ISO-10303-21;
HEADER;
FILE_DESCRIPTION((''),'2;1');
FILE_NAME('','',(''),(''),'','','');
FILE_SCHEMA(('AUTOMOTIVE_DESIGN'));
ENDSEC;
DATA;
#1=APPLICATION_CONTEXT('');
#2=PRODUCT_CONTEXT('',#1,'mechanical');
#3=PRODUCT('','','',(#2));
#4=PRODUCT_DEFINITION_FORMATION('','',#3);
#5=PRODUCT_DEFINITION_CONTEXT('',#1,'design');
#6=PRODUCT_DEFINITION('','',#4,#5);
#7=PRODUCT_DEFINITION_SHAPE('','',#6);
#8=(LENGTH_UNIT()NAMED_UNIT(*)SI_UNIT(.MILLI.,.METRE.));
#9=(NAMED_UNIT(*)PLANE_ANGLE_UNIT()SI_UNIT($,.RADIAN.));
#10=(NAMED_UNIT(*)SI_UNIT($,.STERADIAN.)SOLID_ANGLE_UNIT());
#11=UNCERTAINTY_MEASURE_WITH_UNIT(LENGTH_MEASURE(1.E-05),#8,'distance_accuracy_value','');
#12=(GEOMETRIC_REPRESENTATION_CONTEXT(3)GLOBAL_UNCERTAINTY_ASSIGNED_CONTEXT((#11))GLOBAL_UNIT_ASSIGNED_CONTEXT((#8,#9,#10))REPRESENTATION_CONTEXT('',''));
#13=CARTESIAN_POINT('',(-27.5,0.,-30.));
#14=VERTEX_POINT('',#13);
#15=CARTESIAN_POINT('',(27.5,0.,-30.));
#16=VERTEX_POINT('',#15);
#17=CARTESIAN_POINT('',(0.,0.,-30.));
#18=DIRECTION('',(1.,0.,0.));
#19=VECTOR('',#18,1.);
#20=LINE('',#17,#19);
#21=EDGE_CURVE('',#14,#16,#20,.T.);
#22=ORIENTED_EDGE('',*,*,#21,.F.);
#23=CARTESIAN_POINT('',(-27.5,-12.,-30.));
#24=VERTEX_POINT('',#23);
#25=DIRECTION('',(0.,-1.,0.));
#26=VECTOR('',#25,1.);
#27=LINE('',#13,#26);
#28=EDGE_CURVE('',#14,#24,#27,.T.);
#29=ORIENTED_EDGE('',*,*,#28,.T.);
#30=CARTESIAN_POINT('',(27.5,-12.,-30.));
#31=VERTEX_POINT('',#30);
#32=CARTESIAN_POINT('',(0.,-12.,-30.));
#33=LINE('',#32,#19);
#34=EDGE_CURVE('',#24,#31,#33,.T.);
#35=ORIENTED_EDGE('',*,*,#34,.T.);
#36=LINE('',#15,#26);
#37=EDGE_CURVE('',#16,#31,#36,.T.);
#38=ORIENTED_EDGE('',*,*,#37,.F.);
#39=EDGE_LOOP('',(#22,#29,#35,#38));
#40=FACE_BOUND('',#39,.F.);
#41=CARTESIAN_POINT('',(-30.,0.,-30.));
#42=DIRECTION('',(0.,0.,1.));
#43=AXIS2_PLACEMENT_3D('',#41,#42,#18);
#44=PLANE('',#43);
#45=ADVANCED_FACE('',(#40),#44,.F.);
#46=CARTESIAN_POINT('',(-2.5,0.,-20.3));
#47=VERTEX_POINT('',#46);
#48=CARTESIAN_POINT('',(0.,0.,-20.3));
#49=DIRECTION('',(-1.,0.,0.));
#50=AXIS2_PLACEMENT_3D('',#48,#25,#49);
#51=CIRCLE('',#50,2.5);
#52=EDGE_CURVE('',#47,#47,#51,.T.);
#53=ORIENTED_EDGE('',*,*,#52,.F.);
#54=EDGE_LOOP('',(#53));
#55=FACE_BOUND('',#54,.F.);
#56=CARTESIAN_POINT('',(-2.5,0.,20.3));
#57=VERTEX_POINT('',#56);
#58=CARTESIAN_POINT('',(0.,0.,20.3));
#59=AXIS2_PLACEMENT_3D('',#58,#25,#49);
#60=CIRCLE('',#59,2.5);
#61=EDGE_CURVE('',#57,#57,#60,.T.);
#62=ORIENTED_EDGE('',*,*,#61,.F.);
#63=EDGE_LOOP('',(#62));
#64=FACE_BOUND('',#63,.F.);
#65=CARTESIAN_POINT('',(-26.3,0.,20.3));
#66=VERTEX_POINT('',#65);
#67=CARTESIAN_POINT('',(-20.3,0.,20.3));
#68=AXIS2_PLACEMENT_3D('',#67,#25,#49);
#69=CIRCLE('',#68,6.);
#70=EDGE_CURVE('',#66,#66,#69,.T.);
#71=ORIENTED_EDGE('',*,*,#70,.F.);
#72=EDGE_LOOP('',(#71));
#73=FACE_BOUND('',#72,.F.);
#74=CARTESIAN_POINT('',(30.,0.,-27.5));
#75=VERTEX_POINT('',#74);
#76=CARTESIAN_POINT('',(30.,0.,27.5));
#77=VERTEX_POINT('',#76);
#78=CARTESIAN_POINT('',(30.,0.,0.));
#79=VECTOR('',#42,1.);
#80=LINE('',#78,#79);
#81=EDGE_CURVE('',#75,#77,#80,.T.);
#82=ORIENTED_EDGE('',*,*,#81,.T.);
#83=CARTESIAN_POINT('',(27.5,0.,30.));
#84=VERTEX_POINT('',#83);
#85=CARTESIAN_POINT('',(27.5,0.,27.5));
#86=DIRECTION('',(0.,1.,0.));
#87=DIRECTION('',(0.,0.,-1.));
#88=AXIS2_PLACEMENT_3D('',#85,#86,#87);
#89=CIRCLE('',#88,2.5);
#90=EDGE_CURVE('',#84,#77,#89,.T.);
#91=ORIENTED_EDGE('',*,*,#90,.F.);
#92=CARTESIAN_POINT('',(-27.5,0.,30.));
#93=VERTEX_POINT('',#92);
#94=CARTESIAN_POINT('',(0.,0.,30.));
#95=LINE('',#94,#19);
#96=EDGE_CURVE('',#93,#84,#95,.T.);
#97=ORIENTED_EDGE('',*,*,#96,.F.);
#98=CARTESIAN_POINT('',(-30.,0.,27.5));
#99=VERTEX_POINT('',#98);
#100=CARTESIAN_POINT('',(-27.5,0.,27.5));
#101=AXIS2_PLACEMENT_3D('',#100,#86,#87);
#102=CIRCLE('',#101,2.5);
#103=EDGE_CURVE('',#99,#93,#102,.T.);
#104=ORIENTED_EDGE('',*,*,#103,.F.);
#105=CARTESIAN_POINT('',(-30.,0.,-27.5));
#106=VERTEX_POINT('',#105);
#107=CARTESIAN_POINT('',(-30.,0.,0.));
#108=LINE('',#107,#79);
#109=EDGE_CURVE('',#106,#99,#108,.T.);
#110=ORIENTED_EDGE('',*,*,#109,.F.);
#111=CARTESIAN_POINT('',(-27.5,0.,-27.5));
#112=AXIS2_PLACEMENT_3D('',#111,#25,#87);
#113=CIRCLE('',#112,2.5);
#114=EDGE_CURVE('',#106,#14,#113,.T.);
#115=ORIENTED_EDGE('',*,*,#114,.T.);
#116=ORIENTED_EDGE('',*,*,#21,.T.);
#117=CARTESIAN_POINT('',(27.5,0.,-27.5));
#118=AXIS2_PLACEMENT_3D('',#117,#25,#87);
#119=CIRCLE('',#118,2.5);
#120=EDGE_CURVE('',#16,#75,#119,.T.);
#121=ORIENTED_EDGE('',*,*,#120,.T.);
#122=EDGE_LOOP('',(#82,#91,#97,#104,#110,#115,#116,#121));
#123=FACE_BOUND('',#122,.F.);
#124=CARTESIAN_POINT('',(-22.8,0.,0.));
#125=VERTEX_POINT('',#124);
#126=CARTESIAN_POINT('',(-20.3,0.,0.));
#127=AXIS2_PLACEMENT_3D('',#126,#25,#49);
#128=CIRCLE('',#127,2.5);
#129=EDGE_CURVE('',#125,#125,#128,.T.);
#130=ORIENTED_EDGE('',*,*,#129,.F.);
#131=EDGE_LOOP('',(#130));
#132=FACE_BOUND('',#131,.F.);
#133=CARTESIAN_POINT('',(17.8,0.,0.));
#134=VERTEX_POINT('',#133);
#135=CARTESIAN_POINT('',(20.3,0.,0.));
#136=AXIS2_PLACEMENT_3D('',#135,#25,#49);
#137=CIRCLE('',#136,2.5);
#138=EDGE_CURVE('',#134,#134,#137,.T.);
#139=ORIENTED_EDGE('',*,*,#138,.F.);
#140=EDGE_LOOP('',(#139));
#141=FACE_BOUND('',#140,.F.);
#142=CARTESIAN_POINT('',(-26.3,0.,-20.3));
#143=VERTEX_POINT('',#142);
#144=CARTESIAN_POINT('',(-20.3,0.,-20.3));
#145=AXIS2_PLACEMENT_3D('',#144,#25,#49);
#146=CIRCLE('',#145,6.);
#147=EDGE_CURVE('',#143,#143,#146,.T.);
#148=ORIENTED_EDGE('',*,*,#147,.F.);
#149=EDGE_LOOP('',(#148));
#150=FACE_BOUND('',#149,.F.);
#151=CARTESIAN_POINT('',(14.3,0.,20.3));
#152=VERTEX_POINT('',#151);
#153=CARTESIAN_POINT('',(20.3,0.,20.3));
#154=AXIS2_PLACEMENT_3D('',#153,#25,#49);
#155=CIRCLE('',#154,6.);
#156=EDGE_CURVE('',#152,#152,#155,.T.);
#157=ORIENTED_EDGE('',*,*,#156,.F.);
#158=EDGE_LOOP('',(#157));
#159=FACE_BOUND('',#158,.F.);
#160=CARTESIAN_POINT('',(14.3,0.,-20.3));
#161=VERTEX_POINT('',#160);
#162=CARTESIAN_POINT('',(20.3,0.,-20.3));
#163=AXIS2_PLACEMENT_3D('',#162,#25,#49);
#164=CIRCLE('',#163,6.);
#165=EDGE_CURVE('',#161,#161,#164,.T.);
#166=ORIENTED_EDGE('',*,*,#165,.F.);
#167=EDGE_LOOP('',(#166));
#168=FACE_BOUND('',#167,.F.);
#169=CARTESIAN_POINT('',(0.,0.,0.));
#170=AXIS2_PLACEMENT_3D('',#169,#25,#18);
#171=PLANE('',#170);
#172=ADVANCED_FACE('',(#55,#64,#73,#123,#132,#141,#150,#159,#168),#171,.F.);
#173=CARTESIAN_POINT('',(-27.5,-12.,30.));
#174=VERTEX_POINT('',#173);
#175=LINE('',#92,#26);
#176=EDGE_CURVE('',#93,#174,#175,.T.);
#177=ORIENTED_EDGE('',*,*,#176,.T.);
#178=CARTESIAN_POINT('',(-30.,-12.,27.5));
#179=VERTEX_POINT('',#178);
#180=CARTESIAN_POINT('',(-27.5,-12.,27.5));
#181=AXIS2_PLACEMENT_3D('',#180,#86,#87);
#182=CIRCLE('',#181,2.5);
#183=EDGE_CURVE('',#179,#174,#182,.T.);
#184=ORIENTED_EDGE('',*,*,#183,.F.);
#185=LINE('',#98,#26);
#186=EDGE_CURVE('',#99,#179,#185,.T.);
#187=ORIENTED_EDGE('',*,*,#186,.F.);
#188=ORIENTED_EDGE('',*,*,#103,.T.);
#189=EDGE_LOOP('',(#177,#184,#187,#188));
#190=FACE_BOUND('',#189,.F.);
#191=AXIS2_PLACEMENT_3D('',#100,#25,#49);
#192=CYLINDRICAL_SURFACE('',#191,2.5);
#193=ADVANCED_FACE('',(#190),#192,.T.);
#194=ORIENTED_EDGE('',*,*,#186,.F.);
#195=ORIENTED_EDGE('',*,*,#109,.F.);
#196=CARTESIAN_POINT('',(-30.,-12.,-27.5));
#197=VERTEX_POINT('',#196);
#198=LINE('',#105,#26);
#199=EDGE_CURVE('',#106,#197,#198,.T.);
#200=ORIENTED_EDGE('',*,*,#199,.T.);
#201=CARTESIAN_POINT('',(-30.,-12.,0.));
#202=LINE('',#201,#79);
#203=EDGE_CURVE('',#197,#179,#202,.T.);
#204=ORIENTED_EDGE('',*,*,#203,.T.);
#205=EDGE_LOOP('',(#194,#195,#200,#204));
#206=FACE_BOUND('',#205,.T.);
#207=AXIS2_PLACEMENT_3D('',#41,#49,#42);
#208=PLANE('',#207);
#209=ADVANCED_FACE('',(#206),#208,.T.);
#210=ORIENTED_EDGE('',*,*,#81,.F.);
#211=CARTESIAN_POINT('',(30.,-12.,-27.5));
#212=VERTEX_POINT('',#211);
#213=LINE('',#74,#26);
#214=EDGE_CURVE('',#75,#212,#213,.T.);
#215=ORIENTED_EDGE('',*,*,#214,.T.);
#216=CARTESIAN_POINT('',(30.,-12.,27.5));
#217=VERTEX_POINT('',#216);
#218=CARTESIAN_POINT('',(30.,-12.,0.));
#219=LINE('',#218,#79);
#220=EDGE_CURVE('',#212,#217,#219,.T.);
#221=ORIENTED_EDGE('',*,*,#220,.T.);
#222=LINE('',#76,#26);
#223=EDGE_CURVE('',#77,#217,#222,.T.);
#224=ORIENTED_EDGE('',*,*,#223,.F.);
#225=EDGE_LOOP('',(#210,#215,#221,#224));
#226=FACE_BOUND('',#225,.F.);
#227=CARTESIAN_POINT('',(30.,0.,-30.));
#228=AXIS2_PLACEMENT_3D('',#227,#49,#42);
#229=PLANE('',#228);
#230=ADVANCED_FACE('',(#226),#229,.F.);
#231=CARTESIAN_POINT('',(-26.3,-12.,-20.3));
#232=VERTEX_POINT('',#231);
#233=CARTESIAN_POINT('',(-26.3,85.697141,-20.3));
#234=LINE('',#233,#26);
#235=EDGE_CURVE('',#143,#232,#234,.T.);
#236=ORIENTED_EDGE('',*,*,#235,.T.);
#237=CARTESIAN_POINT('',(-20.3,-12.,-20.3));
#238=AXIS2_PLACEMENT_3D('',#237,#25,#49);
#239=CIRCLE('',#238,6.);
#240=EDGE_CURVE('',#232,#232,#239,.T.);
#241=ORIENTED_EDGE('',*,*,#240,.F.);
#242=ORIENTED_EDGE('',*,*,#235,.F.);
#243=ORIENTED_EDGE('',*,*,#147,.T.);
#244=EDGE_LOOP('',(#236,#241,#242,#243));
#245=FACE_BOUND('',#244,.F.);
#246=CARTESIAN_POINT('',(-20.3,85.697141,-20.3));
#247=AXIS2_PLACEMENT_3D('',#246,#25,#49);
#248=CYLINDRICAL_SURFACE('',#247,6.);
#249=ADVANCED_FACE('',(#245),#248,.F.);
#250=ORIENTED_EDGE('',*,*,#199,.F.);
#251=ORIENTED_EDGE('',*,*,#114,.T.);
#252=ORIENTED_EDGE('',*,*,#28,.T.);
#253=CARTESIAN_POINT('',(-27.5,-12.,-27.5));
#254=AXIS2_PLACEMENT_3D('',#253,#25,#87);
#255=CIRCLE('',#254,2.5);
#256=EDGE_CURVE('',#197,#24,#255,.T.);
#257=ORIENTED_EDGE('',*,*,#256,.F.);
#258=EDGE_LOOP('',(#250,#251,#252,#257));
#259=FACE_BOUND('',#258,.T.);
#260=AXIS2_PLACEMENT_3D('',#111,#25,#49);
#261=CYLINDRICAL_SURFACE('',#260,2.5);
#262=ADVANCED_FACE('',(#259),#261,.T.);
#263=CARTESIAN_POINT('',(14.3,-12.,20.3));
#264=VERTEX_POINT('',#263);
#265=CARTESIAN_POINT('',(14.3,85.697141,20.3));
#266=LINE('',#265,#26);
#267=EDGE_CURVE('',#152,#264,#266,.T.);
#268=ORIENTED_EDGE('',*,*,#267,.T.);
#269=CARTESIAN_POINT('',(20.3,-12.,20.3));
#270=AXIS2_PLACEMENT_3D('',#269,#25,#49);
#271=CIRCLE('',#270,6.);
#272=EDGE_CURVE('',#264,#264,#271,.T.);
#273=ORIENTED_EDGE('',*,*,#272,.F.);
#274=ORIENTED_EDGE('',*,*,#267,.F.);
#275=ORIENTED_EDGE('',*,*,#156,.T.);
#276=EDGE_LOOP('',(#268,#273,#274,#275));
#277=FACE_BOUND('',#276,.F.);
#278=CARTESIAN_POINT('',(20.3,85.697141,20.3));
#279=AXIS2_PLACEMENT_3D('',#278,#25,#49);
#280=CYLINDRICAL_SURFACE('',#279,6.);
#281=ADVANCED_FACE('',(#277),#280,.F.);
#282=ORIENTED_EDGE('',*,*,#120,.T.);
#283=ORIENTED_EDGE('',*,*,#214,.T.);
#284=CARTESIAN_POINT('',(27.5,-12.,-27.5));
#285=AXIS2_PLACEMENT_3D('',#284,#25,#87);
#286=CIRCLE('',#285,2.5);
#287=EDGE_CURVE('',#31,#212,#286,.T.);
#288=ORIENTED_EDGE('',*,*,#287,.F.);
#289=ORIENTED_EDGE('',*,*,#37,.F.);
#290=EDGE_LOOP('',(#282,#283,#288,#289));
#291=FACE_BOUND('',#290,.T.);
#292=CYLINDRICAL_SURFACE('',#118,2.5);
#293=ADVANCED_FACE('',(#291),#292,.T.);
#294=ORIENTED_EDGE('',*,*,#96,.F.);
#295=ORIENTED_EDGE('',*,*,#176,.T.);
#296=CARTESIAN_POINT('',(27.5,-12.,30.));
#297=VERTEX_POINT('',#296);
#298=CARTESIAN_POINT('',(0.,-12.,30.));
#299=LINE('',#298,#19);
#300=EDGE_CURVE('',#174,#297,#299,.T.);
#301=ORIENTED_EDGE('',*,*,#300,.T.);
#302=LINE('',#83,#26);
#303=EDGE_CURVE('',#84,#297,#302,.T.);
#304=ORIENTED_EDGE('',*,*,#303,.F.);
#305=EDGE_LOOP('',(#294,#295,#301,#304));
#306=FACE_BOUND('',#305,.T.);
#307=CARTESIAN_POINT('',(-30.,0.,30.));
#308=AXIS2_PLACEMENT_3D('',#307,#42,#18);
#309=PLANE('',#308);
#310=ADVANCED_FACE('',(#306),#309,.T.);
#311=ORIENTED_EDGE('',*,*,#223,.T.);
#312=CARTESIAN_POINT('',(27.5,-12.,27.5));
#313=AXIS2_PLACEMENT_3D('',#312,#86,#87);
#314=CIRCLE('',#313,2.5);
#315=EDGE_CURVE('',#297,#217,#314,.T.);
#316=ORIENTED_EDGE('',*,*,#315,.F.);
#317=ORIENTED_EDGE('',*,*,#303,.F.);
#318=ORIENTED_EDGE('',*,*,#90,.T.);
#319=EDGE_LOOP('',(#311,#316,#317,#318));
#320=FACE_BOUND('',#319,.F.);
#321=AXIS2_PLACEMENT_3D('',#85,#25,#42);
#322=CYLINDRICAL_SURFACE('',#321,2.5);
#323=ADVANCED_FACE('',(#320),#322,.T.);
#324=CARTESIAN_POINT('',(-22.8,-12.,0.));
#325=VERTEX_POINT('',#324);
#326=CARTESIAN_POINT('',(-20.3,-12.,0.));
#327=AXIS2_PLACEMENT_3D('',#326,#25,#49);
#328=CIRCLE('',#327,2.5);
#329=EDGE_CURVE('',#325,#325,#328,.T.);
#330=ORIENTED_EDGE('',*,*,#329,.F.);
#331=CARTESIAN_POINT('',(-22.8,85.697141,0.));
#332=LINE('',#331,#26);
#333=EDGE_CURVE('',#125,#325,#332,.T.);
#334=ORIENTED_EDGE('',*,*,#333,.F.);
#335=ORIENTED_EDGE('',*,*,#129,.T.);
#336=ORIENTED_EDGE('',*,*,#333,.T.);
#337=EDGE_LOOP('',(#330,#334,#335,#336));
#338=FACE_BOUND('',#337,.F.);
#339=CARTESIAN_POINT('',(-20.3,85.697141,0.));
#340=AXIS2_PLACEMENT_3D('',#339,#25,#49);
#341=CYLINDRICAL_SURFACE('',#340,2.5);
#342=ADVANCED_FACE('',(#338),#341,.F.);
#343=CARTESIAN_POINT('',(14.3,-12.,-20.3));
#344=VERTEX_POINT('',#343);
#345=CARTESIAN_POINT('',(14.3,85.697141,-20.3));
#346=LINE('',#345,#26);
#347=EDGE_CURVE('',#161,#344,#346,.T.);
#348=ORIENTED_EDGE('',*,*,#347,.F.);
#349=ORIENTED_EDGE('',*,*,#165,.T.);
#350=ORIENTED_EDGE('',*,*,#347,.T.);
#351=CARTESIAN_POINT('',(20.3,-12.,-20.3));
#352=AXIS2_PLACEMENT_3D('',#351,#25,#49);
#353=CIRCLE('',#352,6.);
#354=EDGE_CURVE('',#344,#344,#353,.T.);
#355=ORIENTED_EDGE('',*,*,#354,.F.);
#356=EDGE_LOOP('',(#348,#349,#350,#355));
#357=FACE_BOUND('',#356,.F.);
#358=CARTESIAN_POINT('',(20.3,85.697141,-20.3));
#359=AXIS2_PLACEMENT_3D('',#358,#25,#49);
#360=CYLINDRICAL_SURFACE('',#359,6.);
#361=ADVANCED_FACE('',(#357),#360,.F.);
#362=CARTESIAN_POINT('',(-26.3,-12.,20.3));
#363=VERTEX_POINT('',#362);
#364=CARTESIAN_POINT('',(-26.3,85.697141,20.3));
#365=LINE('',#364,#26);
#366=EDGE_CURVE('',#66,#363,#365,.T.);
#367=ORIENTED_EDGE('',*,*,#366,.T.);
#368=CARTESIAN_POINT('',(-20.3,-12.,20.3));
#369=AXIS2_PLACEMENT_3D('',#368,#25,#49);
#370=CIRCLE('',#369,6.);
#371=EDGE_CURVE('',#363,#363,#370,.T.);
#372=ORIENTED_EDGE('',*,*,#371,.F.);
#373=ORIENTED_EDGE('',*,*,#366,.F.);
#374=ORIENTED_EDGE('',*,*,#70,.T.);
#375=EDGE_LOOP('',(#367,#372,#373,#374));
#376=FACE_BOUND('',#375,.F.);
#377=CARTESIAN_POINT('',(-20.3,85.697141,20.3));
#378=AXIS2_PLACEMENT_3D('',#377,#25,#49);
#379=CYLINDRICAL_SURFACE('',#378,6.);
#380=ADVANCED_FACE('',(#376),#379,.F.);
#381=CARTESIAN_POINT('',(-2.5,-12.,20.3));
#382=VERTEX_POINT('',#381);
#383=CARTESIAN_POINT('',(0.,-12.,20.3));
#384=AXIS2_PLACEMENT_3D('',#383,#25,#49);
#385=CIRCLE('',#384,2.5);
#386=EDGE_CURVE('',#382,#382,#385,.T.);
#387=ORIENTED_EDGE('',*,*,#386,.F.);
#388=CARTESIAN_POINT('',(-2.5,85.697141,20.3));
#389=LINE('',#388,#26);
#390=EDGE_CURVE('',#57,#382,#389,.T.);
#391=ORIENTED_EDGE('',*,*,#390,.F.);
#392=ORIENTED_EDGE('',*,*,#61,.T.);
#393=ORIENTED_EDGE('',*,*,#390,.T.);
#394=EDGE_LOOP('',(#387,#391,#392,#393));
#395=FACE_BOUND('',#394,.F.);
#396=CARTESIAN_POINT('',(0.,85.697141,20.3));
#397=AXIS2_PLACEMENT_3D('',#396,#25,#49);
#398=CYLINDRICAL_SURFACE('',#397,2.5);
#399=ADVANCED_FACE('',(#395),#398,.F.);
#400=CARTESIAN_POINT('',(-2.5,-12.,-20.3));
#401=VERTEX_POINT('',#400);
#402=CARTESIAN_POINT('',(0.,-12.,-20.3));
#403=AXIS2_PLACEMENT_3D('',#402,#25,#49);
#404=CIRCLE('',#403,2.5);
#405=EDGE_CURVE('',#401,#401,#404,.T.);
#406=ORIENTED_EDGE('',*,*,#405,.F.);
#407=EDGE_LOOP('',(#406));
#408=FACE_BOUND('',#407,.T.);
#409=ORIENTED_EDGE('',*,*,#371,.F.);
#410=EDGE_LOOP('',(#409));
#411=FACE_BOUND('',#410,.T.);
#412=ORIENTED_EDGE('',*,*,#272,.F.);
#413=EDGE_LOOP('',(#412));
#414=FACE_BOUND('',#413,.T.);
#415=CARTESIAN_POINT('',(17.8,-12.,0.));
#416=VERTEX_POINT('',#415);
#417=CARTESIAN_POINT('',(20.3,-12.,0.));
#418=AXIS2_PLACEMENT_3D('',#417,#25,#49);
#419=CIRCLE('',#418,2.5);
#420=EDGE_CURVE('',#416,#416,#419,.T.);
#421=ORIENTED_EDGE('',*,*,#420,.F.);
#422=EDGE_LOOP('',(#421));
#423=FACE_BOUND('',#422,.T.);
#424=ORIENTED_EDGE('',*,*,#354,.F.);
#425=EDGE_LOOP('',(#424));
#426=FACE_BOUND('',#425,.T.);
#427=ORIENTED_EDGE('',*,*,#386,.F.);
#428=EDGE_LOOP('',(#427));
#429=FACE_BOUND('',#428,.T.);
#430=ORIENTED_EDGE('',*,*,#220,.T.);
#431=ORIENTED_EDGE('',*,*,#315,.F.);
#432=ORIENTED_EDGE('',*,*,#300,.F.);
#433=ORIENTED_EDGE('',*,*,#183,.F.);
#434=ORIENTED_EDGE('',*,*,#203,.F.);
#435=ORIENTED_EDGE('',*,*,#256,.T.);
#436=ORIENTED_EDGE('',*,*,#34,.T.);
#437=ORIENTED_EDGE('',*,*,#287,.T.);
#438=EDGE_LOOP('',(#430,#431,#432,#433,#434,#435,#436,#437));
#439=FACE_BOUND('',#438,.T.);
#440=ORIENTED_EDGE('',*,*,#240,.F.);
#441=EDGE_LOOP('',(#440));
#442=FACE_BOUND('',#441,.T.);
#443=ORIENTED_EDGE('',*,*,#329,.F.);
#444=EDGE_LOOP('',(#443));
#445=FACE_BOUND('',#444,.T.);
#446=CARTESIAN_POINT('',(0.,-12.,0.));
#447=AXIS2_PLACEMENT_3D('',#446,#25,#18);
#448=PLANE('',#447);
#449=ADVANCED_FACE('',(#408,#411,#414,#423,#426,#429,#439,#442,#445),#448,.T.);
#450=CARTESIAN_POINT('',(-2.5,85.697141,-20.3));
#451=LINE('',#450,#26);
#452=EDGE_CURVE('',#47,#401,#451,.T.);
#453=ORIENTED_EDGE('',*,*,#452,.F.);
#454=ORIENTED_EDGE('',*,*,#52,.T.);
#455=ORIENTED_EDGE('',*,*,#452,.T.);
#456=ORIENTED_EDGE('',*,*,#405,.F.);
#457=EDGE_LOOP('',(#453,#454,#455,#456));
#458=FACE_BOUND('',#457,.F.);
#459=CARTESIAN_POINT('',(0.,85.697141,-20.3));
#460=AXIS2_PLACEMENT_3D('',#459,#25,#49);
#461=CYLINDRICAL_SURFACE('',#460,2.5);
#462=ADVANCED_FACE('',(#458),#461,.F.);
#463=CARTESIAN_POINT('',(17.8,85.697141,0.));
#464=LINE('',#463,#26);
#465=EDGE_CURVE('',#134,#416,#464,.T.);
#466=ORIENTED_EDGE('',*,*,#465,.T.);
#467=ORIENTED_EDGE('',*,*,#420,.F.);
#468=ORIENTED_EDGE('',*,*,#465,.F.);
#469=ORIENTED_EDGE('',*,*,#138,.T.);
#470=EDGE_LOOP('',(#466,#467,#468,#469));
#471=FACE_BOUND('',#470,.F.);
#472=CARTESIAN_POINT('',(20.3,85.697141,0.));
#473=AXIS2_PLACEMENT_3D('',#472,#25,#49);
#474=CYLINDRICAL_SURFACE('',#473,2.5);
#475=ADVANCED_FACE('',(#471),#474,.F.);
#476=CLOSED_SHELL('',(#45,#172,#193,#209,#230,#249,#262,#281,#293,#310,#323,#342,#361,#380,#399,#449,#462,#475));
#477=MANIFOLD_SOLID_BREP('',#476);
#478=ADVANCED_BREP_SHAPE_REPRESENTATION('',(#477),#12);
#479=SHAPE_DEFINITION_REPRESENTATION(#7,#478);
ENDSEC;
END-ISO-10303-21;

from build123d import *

# Parameters (mm, degrees)
F0_W     = 60
F0_H     = 60
F1_DEPTH = 12
F2_D     = 5
F3_D     = 12
F4_R     = 2.5


with BuildPart() as f1:
    # F0 (on Front) → F1 (new body)
    with BuildSketch(Plane.XZ):
        Rectangle(F0_W, F0_H)
    extrude(amount=F1_DEPTH)

    # F2 (through all)
    with Locations(Plane(origin=(0, 0, 0), x_dir=(1, 0, 0), z_dir=(0, 1, 0))):
        with Locations((0, 20.3), (0, -20.3), (-20.3, 0), (20.3, 0)):
            Hole(F2_D / 2)

    # F3 (through all)
    with Locations(Plane(origin=(0, 0, 0), x_dir=(1, 0, 0), z_dir=(0, 1, 0))):
        with Locations((-20.3, 20.3), (20.3, 20.3), (20.3, -20.3), (-20.3, -20.3)):
            Hole(F3_D / 2)

    # F4
    f4_edges = [f1.edges().sort_by_distance(p)[0] for p in [
        (30, -6, 30),
        (30, -6, -30),
        (-30, -6, -30),
        (-30, -6, 30),
    ]]
    fillet(f4_edges, radius=F4_R)


solid = f1.part
